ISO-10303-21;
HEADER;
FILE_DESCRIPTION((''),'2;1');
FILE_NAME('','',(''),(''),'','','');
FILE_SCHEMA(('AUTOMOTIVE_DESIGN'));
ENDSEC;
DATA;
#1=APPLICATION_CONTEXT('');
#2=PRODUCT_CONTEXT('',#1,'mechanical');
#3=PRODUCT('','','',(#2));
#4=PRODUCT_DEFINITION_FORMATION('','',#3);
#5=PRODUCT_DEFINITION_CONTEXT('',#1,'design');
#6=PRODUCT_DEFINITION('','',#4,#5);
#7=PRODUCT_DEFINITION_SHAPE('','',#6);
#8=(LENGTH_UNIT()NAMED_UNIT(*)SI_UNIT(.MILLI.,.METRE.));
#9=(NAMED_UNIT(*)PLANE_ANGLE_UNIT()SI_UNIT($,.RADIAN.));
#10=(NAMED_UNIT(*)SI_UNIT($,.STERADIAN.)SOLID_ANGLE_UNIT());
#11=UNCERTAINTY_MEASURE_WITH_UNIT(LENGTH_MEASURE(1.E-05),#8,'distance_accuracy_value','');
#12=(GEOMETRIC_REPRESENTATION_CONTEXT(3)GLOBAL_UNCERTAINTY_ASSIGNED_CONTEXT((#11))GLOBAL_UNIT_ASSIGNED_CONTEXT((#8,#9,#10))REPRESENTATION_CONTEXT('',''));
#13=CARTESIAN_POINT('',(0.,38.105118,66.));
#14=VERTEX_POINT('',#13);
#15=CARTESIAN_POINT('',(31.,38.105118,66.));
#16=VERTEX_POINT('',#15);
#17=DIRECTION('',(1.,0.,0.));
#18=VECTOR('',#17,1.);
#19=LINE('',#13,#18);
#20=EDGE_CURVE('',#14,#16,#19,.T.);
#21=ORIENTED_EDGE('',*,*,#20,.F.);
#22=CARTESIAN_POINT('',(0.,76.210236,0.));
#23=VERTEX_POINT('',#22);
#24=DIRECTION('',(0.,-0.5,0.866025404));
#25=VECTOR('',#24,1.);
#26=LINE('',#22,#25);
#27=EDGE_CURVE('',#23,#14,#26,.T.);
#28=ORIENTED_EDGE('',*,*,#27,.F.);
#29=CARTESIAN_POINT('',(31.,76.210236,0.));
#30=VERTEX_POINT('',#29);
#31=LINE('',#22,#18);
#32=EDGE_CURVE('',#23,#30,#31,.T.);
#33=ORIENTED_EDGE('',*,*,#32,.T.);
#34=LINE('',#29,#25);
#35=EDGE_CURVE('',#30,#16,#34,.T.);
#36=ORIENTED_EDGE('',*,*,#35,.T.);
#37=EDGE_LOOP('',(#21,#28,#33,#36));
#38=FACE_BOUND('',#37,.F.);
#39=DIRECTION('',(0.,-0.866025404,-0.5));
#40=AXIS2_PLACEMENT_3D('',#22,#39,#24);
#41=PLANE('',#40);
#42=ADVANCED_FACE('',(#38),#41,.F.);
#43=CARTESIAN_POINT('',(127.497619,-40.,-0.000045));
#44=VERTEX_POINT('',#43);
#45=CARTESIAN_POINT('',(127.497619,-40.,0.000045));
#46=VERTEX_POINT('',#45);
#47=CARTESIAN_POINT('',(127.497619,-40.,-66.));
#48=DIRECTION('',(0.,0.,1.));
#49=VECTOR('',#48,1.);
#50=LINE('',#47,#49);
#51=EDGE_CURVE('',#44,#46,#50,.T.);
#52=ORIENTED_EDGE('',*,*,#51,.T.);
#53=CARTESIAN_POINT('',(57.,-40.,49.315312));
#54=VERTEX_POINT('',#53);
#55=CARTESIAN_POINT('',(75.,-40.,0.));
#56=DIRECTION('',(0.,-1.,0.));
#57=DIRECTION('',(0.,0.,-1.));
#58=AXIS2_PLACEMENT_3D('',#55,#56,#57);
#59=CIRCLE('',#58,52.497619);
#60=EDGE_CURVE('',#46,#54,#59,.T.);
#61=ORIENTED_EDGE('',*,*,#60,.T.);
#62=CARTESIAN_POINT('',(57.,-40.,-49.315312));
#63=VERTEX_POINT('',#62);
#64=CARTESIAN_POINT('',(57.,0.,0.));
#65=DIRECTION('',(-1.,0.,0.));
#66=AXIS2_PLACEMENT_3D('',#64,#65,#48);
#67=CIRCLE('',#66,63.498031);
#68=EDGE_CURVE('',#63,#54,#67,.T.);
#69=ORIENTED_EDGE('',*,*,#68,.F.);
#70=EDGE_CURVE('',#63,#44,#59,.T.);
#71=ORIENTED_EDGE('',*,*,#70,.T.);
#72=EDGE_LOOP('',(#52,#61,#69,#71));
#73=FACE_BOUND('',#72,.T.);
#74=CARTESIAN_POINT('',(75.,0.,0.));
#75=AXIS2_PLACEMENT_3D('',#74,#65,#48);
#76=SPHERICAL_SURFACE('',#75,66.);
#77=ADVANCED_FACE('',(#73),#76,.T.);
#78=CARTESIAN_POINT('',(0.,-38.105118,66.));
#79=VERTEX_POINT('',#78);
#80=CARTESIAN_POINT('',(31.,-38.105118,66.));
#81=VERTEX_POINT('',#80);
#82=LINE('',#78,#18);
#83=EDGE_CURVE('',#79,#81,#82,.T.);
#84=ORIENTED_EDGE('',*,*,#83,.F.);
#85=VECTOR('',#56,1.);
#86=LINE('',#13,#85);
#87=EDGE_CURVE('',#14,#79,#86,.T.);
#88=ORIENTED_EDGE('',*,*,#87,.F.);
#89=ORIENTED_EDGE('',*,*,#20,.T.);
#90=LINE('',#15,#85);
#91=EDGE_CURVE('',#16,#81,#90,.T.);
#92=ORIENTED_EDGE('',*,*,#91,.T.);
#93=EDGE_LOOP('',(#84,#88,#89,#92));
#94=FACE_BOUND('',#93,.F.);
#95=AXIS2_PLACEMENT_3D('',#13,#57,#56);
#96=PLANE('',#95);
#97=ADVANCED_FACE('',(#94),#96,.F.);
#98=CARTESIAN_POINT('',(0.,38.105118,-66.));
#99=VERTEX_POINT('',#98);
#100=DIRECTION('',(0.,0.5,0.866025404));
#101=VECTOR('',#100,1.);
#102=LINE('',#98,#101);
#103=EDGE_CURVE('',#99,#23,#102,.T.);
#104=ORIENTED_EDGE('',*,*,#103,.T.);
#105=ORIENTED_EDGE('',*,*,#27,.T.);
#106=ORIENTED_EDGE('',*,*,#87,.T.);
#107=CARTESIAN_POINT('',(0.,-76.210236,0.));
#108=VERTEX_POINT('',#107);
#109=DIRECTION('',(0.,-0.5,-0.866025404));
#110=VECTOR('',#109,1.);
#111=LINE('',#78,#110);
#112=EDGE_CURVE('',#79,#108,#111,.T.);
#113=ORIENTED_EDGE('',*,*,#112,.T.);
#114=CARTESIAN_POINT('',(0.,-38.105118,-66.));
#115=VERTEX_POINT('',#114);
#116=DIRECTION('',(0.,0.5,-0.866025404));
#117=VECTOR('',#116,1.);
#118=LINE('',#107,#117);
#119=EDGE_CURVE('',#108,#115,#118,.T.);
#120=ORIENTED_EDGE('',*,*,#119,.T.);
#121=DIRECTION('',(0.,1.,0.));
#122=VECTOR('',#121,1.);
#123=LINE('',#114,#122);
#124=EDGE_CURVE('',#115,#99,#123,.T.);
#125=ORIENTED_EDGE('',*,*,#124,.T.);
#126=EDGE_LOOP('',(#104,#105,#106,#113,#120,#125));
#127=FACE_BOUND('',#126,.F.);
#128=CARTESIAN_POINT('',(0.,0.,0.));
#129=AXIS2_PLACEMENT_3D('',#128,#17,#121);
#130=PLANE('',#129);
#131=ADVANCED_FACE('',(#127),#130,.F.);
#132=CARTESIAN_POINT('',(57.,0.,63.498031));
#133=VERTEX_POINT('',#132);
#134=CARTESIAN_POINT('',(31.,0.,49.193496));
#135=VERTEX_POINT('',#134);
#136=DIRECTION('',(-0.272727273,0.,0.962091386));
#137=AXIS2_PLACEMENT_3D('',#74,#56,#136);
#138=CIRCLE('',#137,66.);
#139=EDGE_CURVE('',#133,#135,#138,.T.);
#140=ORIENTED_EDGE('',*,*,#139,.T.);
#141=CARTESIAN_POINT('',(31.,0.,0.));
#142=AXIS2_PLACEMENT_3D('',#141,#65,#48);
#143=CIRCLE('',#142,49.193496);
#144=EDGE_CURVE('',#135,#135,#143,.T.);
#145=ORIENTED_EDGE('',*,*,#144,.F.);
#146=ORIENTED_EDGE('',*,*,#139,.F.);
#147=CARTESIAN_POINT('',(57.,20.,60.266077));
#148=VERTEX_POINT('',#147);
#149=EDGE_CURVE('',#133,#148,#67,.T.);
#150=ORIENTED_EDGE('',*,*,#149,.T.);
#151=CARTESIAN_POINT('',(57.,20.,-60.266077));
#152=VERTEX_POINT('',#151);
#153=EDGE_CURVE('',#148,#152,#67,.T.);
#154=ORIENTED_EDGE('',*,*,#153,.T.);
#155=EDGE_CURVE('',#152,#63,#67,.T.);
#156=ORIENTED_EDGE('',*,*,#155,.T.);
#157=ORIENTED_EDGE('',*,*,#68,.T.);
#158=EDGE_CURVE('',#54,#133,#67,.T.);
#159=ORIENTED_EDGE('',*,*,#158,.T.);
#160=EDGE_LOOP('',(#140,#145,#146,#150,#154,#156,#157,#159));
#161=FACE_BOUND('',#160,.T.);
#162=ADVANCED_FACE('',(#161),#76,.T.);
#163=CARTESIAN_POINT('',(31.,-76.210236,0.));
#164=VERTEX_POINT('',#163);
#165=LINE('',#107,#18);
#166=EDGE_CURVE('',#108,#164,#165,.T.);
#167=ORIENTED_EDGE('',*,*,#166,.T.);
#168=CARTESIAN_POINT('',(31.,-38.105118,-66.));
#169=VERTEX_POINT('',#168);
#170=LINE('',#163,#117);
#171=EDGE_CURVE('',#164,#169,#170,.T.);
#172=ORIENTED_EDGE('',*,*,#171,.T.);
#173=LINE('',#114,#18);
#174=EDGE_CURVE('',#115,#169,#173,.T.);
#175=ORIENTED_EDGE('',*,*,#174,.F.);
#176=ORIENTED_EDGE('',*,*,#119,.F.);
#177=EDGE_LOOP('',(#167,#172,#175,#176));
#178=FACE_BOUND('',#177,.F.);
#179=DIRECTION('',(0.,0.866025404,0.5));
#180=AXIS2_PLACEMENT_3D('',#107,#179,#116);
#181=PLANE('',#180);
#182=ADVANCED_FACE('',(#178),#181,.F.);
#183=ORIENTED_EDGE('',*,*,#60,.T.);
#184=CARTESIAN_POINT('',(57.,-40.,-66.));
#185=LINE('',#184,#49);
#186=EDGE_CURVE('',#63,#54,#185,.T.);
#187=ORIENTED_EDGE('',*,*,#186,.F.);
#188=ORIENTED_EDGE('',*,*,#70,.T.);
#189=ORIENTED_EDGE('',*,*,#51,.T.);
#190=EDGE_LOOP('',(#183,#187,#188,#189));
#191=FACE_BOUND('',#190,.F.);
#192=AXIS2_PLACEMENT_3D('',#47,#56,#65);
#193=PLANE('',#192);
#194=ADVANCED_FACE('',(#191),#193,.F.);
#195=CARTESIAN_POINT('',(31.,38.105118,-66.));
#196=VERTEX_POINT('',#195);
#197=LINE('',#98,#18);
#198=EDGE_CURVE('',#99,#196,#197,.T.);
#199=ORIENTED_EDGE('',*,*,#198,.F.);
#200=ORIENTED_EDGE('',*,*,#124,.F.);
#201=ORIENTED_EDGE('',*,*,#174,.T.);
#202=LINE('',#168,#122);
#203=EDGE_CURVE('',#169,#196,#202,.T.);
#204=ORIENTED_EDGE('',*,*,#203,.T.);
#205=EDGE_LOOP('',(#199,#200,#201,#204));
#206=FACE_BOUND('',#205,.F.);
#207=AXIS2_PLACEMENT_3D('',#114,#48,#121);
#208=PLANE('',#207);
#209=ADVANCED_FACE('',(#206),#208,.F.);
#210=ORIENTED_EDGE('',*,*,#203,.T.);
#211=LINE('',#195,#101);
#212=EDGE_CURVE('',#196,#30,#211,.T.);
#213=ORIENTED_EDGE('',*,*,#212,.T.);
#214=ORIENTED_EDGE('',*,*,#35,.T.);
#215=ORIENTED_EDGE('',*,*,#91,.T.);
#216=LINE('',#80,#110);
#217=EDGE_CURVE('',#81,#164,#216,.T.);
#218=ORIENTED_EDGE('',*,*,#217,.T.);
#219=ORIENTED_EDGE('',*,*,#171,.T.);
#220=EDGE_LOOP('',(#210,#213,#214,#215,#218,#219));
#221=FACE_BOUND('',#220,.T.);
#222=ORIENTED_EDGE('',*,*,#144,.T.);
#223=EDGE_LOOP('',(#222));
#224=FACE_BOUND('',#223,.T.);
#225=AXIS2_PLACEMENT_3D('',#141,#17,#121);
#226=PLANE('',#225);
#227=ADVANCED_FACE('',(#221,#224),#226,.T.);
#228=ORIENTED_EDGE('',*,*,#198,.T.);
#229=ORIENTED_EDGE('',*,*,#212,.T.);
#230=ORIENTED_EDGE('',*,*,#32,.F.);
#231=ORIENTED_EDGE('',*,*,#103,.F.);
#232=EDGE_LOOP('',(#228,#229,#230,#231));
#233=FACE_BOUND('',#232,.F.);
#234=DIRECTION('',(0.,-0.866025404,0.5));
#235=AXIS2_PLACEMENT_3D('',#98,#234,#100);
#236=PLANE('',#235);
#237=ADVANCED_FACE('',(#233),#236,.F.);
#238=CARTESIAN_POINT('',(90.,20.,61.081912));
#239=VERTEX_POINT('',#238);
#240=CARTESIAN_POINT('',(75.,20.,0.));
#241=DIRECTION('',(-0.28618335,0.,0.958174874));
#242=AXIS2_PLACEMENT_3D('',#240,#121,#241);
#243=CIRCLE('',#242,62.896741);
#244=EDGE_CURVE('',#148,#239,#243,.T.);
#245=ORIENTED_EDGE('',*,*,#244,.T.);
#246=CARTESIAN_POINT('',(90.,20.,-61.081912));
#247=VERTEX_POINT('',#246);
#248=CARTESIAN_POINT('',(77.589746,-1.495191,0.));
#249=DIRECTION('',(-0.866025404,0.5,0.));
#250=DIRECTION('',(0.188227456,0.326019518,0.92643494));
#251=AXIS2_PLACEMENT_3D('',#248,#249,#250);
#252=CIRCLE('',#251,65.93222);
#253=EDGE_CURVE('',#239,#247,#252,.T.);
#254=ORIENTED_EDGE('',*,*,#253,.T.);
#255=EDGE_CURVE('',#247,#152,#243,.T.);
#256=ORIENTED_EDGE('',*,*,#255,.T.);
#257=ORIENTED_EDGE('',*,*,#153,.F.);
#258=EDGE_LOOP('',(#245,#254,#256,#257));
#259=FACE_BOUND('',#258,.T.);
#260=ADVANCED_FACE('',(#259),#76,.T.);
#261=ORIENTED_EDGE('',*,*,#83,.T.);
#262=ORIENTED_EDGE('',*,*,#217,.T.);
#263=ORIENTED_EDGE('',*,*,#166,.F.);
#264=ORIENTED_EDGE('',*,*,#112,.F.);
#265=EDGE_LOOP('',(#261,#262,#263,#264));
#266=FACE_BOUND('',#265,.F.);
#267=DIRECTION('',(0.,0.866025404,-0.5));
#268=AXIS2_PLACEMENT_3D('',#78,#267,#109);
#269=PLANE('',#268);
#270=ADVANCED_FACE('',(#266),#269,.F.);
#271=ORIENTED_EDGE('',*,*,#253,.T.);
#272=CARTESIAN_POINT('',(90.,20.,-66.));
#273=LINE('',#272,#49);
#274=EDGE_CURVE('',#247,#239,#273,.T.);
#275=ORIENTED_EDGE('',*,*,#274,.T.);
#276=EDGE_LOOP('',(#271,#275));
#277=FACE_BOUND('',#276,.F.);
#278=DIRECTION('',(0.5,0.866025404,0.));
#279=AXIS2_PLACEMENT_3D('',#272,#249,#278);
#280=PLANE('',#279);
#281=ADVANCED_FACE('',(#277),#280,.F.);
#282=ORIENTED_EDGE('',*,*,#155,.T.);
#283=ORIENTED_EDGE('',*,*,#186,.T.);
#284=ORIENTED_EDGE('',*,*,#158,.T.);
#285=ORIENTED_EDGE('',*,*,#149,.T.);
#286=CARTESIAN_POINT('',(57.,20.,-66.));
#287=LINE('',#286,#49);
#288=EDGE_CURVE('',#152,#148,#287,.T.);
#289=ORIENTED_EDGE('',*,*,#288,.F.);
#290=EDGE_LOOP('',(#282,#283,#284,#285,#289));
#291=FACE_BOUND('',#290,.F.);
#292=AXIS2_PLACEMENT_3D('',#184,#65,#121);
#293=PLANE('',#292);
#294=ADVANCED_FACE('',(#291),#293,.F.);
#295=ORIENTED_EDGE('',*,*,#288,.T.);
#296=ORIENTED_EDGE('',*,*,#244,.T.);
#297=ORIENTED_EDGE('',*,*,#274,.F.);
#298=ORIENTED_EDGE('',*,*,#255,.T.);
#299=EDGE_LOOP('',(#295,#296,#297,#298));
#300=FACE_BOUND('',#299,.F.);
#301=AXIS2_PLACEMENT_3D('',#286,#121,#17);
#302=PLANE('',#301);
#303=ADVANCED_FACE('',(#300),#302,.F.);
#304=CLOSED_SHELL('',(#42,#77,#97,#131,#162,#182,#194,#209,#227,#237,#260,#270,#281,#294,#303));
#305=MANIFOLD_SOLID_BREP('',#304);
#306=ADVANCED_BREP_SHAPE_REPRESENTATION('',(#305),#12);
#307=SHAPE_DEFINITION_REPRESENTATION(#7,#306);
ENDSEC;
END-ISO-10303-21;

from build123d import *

# Parameters (mm, degrees)
F1_DEPTH = 31
F6_DEPTH = 138
F9_DEPTH = 188


with BuildPart() as f1:
    # F0 (on Right) → F1 (new body)
    with BuildSketch(Plane.YZ):
        Polygon((38.1051177665, 66), (-38.1051177665, 66), (-76.210235533, 0), (-38.1051177665, -66), (38.1051177665, -66), (76.210235533, 0), align=None)
    extrude(amount=F1_DEPTH)

    # F2 (on Front) → F3 (revolve)
    with BuildSketch(Plane.XZ):
        with BuildLine():
            Line((31, 0), (141, 0))
            ThreePointArc((141, 0), (114.7994974843, 52.6497863244), (57, 63.4980314656))
            ThreePointArc((57, 63.4980314656), (43.1856174465, 57.8259895094), (31, 49.193495505))
            Line((31, 49.193495505), (31, 0))
        make_face()
    revolve(axis=Axis((75, 0, 0), (-1, 0, 0)))

    # F5 (on offset) → F6 (cut)
    with BuildSketch(Plane(origin=(0, 0, -66), x_dir=(1, 0, 0), z_dir=(0, 0, -1))):
        with BuildLine():
            Line((57, -20), (137.8967407741, -20))
            ThreePointArc((137.8967407741, -20), (140.0304895149, 11.2709996651), (127.4976189936, 40))
            Line((127.4976189936, 40), (75, 40))
            Line((75, 40), (57, 40))
            Line((57, 40), (57, 0))
            Line((57, 0), (57, -20))
        make_face()
    extrude(amount=-F6_DEPTH, mode=Mode.SUBTRACT)

    # F8 (on offset) → F9 (cut)
    with BuildSketch(Plane(origin=(0, 0, -66), x_dir=(1, 0, 0), z_dir=(0, 0, -1))):
        with BuildLine():
            Line((90, -20), (110.5558559129, -55.6037868342))
            ThreePointArc((110.5558559129, -55.6037868342), (127.3463070124, -40.197812654), (137.8967407741, -20))
            Line((137.8967407741, -20), (90, -20))
        make_face()
    extrude(amount=-F9_DEPTH, mode=Mode.SUBTRACT)


solid = f1.part
